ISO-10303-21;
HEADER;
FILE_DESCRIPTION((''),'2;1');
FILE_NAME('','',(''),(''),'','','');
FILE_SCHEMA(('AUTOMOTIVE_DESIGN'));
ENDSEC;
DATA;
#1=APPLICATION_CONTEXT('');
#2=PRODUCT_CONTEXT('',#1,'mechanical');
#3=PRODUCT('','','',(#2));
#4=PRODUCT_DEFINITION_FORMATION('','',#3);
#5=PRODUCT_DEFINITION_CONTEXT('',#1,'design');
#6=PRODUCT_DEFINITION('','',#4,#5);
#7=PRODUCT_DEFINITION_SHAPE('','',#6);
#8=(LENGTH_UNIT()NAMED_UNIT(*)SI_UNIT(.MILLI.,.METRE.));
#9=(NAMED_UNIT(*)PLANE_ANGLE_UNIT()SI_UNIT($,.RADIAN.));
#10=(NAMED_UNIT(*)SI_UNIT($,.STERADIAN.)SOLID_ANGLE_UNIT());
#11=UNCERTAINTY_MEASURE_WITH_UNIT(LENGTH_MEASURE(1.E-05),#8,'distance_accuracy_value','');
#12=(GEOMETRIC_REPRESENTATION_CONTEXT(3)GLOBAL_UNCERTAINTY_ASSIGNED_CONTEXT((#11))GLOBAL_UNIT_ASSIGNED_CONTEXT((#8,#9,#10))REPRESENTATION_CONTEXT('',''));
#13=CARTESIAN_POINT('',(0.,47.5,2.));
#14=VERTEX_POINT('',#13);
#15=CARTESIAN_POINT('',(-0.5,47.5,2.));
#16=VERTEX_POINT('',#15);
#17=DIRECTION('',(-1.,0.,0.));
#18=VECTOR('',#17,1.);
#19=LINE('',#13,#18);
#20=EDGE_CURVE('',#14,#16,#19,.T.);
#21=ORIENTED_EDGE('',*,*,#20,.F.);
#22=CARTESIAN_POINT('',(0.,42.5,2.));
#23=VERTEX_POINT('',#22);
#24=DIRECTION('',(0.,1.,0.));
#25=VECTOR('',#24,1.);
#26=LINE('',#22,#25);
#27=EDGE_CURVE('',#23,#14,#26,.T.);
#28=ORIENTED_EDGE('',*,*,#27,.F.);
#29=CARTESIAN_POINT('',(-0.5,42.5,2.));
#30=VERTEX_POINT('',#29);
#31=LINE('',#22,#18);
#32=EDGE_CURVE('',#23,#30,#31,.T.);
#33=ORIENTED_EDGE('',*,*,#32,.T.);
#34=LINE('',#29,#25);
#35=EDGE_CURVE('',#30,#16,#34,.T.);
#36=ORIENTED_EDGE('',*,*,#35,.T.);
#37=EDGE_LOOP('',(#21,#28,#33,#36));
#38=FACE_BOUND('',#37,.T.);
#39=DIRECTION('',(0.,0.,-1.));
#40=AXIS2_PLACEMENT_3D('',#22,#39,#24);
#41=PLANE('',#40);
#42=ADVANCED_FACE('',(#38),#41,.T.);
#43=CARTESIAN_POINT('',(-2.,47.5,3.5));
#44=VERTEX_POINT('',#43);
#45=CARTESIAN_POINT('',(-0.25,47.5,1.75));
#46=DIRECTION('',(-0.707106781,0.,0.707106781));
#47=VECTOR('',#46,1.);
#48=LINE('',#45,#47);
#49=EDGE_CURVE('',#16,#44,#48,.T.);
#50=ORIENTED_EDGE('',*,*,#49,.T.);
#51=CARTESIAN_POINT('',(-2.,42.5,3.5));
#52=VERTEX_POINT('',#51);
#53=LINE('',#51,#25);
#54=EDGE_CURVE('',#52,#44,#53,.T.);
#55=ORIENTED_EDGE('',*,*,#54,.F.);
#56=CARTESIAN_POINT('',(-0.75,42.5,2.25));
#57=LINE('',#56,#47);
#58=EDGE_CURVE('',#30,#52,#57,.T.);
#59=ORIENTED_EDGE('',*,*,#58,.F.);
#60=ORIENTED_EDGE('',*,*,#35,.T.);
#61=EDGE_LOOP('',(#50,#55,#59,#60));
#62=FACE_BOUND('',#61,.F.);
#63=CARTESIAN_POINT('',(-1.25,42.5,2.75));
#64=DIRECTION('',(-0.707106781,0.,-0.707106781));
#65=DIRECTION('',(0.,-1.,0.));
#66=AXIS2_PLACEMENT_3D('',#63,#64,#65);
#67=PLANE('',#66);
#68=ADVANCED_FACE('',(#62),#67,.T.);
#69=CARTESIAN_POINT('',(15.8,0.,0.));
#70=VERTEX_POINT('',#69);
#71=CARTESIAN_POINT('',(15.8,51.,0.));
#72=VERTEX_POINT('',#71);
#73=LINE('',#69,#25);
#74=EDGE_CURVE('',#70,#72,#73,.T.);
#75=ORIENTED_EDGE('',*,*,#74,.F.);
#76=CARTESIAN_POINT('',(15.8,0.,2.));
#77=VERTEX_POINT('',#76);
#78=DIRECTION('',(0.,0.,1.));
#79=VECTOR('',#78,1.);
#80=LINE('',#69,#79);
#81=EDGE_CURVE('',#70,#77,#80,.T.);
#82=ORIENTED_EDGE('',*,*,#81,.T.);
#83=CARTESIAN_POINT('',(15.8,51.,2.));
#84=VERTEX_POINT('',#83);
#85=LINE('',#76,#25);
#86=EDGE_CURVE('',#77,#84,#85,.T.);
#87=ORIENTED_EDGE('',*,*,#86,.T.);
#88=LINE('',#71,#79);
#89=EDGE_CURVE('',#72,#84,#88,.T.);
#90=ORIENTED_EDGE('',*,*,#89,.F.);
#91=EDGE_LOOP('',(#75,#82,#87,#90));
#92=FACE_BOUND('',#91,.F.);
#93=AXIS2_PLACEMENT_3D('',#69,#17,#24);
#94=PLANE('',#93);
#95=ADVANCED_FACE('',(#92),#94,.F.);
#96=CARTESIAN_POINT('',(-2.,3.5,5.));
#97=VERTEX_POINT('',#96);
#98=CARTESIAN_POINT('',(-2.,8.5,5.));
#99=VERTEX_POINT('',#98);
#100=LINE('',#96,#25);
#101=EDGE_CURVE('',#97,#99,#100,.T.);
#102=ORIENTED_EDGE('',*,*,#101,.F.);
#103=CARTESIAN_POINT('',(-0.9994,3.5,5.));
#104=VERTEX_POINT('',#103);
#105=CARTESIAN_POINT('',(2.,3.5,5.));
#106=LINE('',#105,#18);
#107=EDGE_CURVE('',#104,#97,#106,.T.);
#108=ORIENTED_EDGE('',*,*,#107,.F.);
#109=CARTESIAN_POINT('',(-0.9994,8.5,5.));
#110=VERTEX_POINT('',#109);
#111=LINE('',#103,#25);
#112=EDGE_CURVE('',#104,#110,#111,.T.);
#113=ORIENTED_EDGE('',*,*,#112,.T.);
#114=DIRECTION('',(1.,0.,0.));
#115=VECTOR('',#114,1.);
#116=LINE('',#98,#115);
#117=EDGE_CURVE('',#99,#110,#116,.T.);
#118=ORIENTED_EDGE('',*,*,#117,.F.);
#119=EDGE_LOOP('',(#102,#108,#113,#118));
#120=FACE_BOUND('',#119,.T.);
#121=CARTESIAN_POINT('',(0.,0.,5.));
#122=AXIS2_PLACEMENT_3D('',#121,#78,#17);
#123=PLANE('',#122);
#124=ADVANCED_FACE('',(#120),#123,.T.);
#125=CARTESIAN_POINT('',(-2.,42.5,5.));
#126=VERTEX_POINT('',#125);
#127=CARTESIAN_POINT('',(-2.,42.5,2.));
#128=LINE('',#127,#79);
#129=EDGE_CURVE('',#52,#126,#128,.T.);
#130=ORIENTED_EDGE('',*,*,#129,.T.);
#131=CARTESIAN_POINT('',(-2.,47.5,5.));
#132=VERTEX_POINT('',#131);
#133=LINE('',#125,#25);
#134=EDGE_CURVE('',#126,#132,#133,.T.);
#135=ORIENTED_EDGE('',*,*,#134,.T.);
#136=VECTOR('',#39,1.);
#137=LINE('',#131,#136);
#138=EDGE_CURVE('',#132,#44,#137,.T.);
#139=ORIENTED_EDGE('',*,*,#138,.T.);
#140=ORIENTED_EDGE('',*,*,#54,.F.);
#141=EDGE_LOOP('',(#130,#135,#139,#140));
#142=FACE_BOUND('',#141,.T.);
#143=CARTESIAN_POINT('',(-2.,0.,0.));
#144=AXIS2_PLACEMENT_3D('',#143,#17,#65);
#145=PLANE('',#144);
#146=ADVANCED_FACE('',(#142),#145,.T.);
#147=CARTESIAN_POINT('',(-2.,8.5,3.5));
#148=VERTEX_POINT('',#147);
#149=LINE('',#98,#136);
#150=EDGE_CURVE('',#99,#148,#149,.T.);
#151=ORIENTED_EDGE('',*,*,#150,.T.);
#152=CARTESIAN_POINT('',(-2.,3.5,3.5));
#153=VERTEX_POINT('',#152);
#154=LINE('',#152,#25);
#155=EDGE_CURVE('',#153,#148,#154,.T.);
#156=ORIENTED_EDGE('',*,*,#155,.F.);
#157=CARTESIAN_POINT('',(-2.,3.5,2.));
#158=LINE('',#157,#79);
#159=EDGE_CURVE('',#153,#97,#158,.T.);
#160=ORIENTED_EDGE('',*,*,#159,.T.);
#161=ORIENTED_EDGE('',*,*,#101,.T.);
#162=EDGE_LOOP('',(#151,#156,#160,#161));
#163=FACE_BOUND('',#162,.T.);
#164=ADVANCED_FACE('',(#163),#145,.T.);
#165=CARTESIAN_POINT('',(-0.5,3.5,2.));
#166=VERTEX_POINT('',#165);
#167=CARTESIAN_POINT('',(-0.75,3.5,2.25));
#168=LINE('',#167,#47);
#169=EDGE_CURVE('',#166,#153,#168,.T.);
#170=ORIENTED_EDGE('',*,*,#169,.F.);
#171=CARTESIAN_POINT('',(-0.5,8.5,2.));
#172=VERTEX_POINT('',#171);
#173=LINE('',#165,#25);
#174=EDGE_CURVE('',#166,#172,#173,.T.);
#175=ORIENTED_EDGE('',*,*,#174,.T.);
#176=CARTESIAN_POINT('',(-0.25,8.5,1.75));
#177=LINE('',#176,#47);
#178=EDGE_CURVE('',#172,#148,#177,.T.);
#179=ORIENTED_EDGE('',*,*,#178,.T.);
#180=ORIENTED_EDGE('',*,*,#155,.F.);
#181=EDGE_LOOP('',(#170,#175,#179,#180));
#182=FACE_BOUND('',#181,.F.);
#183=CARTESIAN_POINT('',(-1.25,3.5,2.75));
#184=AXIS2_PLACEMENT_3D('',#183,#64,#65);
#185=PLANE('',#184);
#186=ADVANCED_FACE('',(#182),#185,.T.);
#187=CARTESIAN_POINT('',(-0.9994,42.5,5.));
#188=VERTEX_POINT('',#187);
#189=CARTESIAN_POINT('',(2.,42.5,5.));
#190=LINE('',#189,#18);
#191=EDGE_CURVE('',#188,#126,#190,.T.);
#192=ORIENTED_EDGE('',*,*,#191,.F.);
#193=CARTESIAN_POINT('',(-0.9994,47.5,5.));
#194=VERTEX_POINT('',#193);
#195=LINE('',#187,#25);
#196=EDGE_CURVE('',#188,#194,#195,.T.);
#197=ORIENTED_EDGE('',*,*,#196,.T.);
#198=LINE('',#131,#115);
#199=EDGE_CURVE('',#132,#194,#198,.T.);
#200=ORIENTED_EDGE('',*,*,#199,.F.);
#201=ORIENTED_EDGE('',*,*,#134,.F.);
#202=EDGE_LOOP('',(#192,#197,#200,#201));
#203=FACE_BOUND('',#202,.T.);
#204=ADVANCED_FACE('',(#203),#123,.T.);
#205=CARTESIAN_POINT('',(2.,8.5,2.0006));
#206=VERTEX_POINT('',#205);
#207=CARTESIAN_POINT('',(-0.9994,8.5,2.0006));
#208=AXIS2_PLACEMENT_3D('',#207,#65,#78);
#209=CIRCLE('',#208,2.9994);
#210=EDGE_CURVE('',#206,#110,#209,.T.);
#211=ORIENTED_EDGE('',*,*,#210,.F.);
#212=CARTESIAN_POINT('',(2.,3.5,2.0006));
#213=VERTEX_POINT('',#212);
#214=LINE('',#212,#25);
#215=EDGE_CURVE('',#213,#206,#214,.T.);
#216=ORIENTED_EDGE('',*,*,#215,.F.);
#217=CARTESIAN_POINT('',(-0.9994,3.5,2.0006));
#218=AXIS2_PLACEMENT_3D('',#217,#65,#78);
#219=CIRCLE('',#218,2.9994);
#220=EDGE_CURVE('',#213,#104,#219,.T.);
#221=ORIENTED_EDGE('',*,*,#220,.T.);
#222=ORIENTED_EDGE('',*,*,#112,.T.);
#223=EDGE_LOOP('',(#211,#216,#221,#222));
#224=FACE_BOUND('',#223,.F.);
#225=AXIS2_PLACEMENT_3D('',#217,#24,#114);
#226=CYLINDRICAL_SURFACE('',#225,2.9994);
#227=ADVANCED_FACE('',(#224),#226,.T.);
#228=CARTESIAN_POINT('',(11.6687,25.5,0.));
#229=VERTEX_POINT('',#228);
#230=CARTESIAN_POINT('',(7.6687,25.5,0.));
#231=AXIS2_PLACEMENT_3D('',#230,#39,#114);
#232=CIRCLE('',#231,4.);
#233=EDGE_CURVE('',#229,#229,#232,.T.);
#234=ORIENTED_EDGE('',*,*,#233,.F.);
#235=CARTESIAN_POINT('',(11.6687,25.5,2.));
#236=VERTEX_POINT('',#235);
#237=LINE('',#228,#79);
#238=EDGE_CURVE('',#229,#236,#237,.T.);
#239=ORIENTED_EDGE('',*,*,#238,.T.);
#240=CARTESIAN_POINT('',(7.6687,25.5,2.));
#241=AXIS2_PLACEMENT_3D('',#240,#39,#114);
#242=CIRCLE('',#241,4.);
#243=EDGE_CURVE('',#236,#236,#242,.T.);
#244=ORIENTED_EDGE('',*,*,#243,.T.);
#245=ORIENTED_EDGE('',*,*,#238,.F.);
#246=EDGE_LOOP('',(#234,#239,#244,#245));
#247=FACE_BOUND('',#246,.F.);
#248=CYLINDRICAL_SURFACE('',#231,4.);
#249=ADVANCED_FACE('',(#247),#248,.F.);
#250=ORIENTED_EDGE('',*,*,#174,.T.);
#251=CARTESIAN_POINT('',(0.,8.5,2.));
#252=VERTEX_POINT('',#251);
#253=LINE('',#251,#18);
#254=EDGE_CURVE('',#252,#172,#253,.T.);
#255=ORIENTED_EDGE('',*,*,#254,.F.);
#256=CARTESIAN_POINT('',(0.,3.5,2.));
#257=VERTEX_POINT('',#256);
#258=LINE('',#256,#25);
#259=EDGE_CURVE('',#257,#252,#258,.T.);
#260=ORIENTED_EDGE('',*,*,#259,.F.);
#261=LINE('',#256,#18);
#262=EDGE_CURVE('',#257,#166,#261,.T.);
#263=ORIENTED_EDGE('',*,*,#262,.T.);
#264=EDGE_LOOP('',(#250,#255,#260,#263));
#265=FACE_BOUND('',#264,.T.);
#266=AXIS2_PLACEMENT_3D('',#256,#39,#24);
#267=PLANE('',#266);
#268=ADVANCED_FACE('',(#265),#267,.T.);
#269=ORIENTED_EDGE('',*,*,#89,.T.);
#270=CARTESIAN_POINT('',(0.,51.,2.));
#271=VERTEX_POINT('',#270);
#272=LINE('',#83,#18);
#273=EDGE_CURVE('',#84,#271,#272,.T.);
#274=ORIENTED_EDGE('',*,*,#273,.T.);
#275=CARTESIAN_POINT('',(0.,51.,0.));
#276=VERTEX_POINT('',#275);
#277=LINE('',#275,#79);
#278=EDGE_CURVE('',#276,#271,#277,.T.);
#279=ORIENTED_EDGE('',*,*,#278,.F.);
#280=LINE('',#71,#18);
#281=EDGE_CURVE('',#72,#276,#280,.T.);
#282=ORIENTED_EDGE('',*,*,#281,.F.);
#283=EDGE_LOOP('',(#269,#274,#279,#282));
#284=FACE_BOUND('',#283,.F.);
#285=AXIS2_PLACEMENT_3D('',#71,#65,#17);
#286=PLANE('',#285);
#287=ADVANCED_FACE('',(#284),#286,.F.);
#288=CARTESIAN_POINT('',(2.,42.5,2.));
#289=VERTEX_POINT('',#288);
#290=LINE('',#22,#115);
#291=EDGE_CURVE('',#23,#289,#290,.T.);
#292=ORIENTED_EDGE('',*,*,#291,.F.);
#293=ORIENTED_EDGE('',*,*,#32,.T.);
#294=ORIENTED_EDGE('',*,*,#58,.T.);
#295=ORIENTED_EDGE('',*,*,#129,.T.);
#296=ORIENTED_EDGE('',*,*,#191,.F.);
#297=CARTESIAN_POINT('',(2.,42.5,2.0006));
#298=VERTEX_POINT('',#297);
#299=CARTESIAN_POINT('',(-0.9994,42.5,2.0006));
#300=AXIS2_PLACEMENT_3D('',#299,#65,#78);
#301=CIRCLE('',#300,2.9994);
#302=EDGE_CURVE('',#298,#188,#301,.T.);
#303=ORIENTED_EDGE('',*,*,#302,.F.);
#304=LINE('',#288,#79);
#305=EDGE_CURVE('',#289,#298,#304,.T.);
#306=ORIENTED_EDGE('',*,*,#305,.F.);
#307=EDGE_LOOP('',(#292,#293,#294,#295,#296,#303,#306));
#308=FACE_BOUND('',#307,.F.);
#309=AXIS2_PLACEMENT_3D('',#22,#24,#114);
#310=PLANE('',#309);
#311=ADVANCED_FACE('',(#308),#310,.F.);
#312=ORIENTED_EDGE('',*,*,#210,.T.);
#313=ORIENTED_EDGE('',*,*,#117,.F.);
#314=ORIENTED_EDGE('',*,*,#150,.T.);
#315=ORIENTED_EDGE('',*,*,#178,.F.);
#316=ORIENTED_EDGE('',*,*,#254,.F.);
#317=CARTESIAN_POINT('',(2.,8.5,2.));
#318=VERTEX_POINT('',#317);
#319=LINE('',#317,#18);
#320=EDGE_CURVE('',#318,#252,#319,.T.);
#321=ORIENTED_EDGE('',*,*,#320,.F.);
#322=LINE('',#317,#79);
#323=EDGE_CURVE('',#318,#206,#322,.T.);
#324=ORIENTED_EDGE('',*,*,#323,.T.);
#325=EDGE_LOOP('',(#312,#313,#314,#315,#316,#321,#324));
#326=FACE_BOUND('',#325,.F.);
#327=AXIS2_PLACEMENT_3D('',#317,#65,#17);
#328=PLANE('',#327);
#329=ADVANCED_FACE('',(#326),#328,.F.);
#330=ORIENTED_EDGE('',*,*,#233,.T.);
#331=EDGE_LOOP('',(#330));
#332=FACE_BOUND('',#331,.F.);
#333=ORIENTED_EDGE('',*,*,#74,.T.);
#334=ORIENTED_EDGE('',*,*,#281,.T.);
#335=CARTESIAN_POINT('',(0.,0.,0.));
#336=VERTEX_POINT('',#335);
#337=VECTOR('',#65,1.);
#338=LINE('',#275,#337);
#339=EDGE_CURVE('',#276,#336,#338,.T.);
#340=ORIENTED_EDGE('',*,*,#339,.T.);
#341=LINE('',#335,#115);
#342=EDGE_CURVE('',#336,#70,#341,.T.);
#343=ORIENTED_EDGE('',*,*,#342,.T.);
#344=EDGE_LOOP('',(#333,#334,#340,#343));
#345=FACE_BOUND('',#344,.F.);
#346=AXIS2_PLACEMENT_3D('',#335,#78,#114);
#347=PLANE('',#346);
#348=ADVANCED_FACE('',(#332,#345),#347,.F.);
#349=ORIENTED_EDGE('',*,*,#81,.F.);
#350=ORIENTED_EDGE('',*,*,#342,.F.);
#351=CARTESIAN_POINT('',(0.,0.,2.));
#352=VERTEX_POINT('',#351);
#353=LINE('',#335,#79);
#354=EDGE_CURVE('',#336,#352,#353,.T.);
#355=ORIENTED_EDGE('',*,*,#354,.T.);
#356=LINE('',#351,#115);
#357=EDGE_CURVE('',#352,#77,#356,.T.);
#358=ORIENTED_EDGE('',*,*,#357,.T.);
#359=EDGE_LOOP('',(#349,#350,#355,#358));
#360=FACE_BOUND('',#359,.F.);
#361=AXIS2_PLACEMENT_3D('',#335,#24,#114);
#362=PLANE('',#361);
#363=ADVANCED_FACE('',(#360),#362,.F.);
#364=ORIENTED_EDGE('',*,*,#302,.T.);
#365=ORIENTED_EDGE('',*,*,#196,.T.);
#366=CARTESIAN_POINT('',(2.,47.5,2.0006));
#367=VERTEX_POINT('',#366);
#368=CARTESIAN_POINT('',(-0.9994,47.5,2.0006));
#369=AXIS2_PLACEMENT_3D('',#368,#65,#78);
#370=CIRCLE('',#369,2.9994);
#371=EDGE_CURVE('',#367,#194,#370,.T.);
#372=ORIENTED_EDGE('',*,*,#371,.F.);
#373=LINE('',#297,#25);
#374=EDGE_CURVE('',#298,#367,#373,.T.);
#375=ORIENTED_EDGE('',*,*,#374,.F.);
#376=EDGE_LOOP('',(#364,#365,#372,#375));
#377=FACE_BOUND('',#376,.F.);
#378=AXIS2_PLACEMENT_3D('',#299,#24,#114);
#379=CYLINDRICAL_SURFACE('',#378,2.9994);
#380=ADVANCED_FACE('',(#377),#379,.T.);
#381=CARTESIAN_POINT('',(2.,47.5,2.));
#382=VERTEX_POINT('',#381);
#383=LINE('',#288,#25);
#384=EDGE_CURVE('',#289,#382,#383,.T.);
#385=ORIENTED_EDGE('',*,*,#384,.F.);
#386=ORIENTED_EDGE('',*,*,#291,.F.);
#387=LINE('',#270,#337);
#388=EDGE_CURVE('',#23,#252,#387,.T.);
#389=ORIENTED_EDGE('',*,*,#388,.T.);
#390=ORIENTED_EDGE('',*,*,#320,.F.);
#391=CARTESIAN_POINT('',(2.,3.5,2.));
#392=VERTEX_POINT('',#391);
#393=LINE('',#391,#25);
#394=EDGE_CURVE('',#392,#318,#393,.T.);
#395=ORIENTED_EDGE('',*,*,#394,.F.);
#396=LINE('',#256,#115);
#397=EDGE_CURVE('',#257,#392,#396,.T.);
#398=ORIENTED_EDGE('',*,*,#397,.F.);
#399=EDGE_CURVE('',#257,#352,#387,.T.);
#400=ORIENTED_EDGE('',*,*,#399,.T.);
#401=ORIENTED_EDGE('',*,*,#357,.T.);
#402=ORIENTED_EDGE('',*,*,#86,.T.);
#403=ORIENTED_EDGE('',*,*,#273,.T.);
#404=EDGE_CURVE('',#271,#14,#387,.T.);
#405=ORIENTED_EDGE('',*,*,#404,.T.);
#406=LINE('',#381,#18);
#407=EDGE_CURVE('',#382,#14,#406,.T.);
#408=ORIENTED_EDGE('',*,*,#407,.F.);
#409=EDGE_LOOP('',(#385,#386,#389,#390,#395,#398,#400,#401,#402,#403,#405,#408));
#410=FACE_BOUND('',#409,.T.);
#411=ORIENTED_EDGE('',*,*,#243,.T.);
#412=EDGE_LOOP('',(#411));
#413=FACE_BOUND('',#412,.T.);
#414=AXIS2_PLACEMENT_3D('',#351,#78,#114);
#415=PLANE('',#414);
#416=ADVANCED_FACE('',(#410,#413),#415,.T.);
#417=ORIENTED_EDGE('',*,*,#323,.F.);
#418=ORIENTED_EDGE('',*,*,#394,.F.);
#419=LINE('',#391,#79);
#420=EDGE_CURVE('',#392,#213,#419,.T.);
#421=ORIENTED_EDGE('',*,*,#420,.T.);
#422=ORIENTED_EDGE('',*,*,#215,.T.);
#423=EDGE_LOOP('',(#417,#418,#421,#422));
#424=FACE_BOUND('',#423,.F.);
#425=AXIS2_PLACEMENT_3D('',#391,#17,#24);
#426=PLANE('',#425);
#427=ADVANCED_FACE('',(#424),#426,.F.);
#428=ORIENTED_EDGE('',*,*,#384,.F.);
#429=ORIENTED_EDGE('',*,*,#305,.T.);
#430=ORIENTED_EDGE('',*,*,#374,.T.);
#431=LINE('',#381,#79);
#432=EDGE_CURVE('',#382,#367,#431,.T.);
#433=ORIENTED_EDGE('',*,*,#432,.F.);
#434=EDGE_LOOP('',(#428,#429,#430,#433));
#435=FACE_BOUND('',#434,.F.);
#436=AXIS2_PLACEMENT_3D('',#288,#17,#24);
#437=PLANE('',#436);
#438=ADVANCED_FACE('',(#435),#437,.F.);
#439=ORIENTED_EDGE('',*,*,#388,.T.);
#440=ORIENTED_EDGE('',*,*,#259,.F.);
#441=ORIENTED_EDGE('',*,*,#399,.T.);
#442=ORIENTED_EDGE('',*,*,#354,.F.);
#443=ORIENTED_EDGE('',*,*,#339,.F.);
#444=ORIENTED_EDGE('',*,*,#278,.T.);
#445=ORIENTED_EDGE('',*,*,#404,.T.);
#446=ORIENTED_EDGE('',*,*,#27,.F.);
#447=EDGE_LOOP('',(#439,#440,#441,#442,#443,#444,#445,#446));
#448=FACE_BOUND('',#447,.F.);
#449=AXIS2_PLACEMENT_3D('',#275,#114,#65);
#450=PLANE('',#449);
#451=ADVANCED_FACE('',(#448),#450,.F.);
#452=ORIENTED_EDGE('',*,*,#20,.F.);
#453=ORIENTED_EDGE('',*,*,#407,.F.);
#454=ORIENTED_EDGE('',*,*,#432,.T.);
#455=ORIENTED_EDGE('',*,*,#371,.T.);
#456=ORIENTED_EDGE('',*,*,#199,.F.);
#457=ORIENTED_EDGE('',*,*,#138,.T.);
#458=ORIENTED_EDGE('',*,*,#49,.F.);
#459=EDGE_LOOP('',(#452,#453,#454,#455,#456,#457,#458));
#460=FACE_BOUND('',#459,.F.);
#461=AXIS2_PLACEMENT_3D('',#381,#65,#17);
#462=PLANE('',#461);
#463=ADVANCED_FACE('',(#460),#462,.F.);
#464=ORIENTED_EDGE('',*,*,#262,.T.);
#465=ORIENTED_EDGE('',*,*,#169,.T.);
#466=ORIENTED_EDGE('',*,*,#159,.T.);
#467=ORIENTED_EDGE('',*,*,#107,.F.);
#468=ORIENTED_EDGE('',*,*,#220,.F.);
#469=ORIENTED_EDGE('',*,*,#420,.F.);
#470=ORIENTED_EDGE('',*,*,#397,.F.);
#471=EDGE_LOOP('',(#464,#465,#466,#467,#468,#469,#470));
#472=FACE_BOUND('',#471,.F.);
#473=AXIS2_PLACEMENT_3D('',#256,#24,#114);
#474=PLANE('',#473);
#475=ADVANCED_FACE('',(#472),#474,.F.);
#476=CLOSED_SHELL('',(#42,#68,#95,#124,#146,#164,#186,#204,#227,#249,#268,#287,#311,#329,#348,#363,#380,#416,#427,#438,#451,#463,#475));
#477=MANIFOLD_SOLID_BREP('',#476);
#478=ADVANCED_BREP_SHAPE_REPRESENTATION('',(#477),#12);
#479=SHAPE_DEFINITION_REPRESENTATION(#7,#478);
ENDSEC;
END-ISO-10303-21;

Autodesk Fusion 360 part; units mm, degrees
sketch "Sketch1" plane through (0, 0, 0) normal (0, 0, 1) x (1, 0, 0)
  line L0 (0, 0) -> (15.8, 0)
  line L1 (15.8, 0) -> (15.8, 51)
  line L2 (15.8, 51) -> (0, 51)
  line L3 (0, 51) -> (0, 0)
  dimension "d1" = 15.8
  dimension "d2" = 51
extrude "Extrude1" add sketch "Sketch1" along normal blind 2
sketch "Sketch2" plane through (0, 0, 0) normal (0, 0, -1) x (1, 0, 0)
  line L0 (0, 0) -> (0, -51)
  line L1 (0, -51) -> (15.8, -51)
  line L2 (15.8, -51) -> (15.8, 0)
  line L3 (15.8, 0) -> (0, 0)
  circle A0 centre (7.6687, -25.5) radius 4
  dimension "d5" = 8
extrude "Extrude2" cut sketch "Sketch2" against normal blind 2 contours A0
sketch "Sketch3" plane through (0, 0, 2) normal (0, 0, 1) x (-1, 0, 0)
  line L0 (0, -51) -> (0, 0)
  line L1 (0, 0) -> (-15.8, 0)
  line L2 (-15.8, 0) -> (-15.8, -51)
  line L3 (-15.8, -51) -> (0, -51)
  line L4 (0, -3.5) -> (-2, -3.5)
  line L5 (-2, -3.5) -> (-2, -8.5)
  line L6 (-2, -8.5) -> (0, -8.5)
  line L7 (0, -8.5) -> (0, -3.5)
  line L8 (0, -42.5) -> (-2, -42.5)
  line L9 (-2, -42.5) -> (-2, -47.5)
  line L10 (-2, -47.5) -> (0, -47.5)
  line L11 (0, -47.5) -> (0, -42.5)
  circle A0 centre (-7.6687, -25.5) radius 4
  dimension "d8" = 3.5
  dimension "d9" = 42.5
  dimension "d10" = 2
  dimension "d11" = 2
  dimension "d12" = 5
  dimension "d13" = 5
extrude "Extrude3" add sketch "Sketch3" along normal blind 3 contours L0 L8 L9 L10 L11 | L0 L4 L5 L6 L7
sketch "Sketch4" plane through (0, 0, 0) normal (-1, 0, 0) x (0, -1, 0)
  line L0 (-51, 0) -> (0, 0)
  line L1 (0, 0) -> (0, 2)
  line L2 (0, 2) -> (-3.5, 2)
  line L3 (-3.5, 2) -> (-3.5, 5)
  line L4 (-3.5, 5) -> (-8.5, 5)
  line L5 (-8.5, 5) -> (-8.5, 2)
  line L6 (-8.5, 2) -> (-42.5, 2)
  line L7 (-42.5, 2) -> (-42.5, 5)
  line L8 (-42.5, 5) -> (-47.5, 5)
  line L9 (-47.5, 5) -> (-47.5, 2)
  line L10 (-47.5, 2) -> (-51, 2)
  line L11 (-51, 2) -> (-51, 0)
  line L12 (-47.5, 5) -> (-42.5, 5)
  line L13 (-42.5, 5) -> (-42.5, 2)
  line L14 (-42.5, 2) -> (-47.5, 2)
  line L15 (-47.5, 2) -> (-47.5, 5)
  line L16 (-8.5, 5) -> (-3.5, 5)
  line L17 (-3.5, 5) -> (-3.5, 2)
  line L18 (-3.5, 2) -> (-8.5, 2)
  line L19 (-8.5, 2) -> (-8.5, 5)
extrude "Extrude4" add sketch "Sketch4" along normal blind 2 contours L7 L8 L9 L12 L13 L14 L15 | L3 L4 L5 L16 L17 L18 L19
fillet "Fillet1" radius 3 1 edges at (2, 6, 5)
fillet "Fillet2" radius 3 1 edges at (2, 45, 5)
chamfer "Chamfer1" distance 1.5 angle 45 1 edges at (-2, 6, 2)
chamfer "Chamfer2" distance 1.5 angle 45 1 edges at (-2, 45, 2)
